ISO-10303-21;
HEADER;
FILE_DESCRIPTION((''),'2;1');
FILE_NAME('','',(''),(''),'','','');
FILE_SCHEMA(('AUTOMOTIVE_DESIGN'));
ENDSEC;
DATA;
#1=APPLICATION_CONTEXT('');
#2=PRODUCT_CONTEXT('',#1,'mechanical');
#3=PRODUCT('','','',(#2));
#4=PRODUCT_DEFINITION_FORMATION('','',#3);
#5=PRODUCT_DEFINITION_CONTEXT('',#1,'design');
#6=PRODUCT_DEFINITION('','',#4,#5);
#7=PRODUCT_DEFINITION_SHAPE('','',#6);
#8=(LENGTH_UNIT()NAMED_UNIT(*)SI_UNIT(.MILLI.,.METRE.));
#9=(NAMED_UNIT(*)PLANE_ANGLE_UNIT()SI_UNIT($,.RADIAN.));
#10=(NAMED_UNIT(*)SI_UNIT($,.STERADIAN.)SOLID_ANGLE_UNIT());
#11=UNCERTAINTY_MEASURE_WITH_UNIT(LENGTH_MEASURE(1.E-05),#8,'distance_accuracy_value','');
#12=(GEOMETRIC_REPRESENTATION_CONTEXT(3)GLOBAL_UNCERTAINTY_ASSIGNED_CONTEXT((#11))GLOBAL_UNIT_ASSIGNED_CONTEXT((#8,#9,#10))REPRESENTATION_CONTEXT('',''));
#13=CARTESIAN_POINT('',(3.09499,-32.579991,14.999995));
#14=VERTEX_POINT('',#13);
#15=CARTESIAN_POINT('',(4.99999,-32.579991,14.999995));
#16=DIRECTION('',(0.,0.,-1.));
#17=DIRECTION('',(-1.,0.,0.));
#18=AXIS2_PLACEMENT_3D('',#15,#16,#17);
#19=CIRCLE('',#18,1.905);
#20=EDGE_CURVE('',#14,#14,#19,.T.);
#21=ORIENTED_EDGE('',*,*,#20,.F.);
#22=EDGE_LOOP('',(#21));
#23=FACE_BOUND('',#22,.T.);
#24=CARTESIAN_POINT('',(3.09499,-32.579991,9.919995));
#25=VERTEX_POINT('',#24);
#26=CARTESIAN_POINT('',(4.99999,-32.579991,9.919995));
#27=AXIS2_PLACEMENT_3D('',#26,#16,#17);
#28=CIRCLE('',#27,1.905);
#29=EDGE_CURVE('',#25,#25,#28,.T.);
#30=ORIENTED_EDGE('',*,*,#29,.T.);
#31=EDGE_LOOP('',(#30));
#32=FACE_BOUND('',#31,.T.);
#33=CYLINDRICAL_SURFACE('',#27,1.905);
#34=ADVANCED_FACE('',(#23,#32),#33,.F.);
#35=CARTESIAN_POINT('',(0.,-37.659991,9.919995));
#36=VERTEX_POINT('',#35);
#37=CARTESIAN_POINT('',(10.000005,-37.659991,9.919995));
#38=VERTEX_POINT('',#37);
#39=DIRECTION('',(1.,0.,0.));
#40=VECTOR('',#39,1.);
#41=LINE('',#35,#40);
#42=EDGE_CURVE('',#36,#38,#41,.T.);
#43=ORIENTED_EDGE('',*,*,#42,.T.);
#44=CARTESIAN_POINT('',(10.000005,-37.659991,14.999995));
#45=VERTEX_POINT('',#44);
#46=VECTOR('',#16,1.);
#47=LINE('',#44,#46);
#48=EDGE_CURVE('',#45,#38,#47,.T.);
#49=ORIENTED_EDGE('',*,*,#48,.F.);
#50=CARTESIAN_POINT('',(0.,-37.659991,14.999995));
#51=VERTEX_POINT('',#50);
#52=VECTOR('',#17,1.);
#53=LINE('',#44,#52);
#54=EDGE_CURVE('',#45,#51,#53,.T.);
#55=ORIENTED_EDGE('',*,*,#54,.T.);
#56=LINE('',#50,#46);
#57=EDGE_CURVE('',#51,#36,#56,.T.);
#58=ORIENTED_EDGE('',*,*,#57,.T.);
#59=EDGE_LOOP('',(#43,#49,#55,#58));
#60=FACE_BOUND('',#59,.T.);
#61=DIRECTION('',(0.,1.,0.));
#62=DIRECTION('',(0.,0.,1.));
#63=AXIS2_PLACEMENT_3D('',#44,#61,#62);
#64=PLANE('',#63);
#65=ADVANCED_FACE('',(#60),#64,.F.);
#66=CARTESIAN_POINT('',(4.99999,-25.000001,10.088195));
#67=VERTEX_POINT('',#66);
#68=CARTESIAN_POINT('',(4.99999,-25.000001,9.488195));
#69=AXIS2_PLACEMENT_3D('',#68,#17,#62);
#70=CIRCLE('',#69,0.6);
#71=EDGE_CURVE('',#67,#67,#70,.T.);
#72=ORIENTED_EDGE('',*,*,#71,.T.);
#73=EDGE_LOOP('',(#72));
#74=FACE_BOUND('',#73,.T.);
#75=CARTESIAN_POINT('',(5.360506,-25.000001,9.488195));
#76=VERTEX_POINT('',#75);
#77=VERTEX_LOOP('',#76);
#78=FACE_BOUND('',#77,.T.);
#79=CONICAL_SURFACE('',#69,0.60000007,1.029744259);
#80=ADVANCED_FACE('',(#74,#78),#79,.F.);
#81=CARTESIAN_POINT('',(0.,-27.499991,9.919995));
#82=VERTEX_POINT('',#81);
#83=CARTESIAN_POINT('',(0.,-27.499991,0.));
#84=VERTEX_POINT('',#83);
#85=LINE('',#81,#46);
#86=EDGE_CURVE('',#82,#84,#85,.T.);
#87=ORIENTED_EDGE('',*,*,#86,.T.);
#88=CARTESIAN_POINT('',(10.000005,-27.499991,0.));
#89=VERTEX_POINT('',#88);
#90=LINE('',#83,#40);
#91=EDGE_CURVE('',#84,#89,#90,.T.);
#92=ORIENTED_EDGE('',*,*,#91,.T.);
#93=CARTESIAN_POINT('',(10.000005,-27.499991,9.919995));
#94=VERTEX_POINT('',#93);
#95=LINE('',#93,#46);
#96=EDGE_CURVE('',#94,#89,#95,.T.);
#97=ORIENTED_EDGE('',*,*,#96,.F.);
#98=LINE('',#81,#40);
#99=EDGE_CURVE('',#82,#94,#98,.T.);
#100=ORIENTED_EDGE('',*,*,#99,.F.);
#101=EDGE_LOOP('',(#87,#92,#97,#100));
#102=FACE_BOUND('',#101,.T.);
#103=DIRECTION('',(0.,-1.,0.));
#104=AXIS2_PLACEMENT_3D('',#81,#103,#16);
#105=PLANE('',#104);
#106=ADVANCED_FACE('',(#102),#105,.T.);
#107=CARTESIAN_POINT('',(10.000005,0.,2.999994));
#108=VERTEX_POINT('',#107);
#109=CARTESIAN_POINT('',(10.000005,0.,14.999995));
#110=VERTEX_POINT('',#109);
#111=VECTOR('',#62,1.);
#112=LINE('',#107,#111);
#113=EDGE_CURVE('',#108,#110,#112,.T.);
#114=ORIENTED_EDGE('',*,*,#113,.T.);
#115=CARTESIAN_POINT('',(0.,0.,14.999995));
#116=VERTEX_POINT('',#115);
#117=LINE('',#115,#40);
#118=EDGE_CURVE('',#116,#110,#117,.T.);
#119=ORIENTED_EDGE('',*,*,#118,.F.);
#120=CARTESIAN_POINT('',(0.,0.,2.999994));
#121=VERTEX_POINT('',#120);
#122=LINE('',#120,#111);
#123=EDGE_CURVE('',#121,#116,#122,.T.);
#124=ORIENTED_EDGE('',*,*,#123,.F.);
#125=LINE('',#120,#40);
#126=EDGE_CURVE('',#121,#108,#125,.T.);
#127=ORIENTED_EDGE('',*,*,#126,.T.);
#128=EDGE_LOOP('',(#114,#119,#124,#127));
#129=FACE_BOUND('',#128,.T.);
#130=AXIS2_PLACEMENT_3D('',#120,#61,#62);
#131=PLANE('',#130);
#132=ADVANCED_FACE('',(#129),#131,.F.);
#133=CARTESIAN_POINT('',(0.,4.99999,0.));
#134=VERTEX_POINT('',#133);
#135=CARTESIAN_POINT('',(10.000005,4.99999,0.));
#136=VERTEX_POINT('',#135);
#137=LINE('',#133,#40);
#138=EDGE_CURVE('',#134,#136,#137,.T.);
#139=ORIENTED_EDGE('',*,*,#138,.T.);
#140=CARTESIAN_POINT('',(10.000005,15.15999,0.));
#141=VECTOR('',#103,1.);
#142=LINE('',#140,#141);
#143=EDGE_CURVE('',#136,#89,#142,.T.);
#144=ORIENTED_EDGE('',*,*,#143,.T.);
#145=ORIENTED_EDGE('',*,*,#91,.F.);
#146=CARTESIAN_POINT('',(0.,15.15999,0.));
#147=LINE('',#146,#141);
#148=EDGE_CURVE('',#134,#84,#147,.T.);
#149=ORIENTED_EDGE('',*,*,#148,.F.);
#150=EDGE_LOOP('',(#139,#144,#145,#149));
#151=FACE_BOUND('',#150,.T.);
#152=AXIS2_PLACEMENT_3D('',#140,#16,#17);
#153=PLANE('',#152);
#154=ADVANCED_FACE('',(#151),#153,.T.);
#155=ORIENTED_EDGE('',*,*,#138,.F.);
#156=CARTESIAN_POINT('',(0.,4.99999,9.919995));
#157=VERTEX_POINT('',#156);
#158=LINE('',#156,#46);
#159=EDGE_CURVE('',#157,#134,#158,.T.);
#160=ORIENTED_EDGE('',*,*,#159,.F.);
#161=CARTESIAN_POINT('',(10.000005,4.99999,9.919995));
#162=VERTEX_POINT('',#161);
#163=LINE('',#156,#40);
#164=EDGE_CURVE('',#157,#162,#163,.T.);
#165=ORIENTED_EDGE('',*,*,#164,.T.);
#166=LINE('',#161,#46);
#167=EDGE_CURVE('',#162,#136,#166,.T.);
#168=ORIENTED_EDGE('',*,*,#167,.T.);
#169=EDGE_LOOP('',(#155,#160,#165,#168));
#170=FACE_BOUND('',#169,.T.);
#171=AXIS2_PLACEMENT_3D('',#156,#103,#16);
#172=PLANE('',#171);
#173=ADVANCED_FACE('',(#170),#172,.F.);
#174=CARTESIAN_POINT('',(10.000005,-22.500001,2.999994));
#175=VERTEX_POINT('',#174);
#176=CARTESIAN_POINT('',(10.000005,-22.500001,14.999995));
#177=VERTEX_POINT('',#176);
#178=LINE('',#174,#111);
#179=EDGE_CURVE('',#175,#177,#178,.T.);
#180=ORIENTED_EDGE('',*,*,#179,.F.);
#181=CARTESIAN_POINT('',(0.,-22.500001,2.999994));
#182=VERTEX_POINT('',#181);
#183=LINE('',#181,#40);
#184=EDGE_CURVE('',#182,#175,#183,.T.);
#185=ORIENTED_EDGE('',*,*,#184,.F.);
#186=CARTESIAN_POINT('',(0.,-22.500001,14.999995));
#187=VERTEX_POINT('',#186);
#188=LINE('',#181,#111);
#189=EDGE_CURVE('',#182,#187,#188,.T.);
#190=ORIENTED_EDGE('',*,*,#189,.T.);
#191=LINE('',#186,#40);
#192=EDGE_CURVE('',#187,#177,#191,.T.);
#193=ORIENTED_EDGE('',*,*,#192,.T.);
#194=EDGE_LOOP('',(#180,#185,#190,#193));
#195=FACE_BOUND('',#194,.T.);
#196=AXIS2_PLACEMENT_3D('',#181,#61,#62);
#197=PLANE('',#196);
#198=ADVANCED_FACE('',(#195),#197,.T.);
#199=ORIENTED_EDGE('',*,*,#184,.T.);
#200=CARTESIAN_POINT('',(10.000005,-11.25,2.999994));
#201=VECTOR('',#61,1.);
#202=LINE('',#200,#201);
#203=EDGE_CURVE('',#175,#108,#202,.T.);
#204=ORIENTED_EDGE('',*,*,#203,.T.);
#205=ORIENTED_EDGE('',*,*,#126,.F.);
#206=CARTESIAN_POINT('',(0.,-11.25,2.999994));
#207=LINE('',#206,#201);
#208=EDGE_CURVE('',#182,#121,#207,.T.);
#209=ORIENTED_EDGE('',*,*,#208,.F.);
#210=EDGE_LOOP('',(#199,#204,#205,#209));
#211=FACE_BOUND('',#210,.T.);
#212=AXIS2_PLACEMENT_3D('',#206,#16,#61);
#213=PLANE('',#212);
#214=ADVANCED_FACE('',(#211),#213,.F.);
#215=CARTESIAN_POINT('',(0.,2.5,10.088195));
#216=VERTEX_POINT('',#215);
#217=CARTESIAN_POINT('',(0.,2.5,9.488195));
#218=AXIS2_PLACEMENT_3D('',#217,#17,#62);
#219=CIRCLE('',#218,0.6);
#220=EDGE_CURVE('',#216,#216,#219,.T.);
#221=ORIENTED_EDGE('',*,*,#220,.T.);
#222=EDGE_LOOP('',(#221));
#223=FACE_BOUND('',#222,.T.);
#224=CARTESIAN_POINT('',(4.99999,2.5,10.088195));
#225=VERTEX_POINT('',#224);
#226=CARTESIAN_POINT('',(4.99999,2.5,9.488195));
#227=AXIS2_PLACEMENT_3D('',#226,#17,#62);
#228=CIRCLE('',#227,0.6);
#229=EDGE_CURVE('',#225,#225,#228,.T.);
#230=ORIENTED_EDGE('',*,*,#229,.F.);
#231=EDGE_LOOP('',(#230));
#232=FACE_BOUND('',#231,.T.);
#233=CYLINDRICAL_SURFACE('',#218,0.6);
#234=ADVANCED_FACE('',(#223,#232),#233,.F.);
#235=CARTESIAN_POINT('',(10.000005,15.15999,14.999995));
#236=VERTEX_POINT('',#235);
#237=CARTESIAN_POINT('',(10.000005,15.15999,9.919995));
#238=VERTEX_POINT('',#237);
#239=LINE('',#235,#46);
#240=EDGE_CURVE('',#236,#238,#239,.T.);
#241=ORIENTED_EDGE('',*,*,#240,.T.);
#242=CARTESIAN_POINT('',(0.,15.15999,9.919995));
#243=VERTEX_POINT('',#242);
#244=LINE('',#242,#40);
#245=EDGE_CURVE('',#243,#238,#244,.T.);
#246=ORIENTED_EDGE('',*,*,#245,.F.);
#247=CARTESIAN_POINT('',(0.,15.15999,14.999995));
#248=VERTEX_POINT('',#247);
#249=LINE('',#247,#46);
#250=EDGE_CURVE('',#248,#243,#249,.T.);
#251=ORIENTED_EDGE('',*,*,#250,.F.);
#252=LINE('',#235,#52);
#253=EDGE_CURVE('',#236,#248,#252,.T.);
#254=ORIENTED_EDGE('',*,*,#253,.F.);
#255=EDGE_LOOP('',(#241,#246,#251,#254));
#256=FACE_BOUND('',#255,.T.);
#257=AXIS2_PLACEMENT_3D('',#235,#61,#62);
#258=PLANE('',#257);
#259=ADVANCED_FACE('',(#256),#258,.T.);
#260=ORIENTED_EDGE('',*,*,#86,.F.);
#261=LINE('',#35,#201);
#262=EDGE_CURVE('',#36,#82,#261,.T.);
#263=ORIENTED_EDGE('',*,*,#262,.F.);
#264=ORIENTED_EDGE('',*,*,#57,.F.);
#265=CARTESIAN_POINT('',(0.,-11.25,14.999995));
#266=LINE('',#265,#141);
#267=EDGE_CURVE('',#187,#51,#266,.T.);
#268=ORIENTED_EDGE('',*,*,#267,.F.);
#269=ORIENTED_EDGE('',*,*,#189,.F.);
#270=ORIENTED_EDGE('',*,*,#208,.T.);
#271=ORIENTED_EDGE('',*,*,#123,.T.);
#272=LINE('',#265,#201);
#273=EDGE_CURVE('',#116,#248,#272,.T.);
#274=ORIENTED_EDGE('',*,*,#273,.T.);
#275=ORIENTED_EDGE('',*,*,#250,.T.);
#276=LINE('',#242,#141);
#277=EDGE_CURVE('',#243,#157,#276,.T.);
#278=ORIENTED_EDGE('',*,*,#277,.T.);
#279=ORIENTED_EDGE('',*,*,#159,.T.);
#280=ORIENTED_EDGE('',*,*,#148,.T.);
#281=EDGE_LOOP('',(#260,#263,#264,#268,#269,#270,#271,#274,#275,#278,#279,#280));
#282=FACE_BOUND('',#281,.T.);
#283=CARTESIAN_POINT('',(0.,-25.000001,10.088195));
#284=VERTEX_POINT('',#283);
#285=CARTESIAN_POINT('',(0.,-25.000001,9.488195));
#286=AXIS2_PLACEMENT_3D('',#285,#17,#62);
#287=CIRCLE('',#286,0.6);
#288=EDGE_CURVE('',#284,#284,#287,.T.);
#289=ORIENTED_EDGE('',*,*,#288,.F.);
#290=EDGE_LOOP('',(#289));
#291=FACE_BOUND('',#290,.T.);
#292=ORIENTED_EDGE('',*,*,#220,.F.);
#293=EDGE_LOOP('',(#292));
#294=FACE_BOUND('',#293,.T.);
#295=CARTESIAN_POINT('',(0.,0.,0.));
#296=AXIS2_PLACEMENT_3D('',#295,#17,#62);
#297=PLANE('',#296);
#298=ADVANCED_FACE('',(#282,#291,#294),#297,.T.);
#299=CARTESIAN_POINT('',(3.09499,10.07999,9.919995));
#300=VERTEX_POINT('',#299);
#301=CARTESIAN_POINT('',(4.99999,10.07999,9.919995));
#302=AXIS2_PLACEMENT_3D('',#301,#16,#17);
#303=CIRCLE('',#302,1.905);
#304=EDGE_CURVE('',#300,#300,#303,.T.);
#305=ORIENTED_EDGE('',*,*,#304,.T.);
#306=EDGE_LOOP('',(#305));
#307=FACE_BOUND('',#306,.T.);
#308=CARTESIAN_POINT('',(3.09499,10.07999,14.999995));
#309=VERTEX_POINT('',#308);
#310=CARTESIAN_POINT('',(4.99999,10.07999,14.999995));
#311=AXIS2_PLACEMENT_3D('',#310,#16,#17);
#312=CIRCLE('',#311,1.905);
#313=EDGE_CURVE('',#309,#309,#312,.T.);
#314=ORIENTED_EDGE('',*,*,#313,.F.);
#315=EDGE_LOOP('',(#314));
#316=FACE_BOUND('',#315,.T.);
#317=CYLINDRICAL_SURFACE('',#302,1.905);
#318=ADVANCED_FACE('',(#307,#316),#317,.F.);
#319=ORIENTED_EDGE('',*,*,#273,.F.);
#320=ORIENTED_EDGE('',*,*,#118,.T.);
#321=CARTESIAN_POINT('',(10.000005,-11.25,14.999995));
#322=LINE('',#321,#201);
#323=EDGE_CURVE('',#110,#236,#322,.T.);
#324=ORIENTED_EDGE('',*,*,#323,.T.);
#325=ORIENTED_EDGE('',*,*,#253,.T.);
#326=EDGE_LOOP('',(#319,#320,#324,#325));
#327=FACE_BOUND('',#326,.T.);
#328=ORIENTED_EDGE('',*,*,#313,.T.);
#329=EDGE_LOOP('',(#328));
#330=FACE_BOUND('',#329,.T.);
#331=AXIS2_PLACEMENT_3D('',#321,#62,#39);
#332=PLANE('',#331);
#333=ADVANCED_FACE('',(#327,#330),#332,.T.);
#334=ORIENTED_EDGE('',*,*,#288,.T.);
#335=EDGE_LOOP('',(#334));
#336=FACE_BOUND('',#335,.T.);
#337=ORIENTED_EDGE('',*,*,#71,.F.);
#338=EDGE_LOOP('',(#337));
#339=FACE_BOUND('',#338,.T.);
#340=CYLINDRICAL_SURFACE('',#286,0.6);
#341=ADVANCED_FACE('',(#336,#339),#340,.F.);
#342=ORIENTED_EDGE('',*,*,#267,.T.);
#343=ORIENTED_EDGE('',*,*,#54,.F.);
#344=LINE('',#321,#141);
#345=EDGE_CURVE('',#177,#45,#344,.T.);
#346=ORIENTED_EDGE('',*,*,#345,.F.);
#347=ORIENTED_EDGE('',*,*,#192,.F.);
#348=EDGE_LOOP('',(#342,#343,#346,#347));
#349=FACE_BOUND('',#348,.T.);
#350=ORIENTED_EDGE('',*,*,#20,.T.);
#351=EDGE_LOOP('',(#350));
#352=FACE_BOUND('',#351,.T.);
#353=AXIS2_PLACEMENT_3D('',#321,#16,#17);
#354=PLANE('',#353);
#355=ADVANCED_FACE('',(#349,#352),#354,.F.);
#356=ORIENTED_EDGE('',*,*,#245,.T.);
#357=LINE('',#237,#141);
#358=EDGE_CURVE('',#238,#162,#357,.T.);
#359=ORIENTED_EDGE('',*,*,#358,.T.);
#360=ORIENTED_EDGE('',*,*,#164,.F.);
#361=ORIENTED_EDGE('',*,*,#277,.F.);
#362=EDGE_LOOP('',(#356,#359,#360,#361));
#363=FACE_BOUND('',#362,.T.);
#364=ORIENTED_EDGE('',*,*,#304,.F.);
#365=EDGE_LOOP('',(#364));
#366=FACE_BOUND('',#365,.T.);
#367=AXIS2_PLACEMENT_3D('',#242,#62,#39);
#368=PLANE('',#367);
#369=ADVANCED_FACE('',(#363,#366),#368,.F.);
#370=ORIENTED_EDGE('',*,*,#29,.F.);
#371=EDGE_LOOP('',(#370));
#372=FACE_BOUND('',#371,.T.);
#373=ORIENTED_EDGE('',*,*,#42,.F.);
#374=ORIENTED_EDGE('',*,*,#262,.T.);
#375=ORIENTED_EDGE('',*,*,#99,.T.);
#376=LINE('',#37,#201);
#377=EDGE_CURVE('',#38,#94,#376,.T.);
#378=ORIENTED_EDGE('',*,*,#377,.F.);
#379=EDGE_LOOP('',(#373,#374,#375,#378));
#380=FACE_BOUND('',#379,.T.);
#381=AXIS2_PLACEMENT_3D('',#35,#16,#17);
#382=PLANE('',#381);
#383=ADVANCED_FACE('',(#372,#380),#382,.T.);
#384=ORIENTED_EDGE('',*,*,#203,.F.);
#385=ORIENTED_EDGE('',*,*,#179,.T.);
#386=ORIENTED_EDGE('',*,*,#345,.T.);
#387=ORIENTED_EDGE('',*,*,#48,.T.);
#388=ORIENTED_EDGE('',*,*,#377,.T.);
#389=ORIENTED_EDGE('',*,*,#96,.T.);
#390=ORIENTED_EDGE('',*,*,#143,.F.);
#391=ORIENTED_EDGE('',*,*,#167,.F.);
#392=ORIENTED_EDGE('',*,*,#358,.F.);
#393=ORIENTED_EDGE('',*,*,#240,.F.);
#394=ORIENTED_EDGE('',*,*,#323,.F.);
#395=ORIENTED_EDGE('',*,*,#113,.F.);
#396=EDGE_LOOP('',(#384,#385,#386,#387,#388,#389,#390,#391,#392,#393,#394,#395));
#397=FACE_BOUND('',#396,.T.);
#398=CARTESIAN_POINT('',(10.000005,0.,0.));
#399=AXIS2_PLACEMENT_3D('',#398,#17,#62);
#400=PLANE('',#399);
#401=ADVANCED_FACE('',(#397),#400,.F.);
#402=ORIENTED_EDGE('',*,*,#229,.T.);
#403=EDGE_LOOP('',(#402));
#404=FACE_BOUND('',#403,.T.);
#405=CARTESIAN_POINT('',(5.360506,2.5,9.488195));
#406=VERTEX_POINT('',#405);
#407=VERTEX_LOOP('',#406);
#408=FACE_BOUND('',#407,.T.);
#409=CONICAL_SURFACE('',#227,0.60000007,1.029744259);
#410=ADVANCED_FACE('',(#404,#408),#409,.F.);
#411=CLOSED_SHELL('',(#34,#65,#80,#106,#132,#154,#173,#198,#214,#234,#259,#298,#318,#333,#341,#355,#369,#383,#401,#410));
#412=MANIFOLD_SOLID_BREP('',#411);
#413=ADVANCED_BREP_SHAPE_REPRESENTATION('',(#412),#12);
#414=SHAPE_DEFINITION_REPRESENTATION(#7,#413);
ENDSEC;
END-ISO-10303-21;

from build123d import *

# Parameters (mm, degrees)
SKETCH1_W                  = 26.40999036
SKETCH1_H                  = 14.9999954
BOSS_EXTRUDE1_DEPTH        = 10.0000054
SKETCH2_W                  = 12.0000014
SKETCH2_H                  = 11.25000036
CUT_EXTRUDE1_DEPTH         = 11.0000054
SKETCH3_W                  = 9.9199954
SKETCH3_H                  = 10.16
CUT_EXTRUDE2_DEPTH         = 11.0000054
M3_5_CLEARANCE_HOLE1_D     = 3.81
M3_5_CLEARANCE_HOLE1_DEPTH = 5.08


with BuildPart() as part:
    # Sketch1 → Boss-Extrude1 (new body)
    with BuildSketch(Plane(origin=(0, 0, 0), x_dir=(0, -1, 0), z_dir=(-1, 0, 0))):
        with Locations((-1.95499482, 7.4999977)):
            Rectangle(SKETCH1_W, SKETCH1_H)
    boss_extrude1 = extrude(amount=-BOSS_EXTRUDE1_DEPTH)

    # Sketch2 → Cut-Extrude1 (cut, through all)
    with BuildSketch(Plane(origin=(10.0000054, 0, 0), x_dir=(0, 0, -1), z_dir=(1, 0, 0))):
        with Locations((-8.9999947, -5.62500018)):
            Rectangle(SKETCH2_W, SKETCH2_H)
    cut_extrude1 = extrude(amount=-CUT_EXTRUDE1_DEPTH, mode=Mode.SUBTRACT)

    # Sketch3 → Cut-Extrude2 (cut, through all)
    with BuildSketch(Plane(origin=(10.0000054, 0, 0), x_dir=(0, 0, -1), z_dir=(1, 0, 0))):
        with Locations((-4.9599977, 10.07999)):
            Rectangle(SKETCH3_W, SKETCH3_H)
    cut_extrude2 = extrude(amount=-CUT_EXTRUDE2_DEPTH, mode=Mode.SUBTRACT)

    # M3.5 Clearance Hole1
    with Locations(Plane(origin=(0, 0, 9.9199954), x_dir=(-1, 0, 0), z_dir=(0, 0, -1))):
        with Locations((-4.99999, 10.07999)):
            m3_5_clearance_hole1 = Hole(M3_5_CLEARANCE_HOLE1_D / 2, depth=M3_5_CLEARANCE_HOLE1_DEPTH)

    # Sketch6 → Ø1.2 (1.2) Diameter Hole1 (revolve, cut)
    with BuildSketch(Plane(origin=(0, 2.50000008, 9.4881954), x_dir=(0, 0, 1), z_dir=(0, 1, 0))):
        Polygon((0, 0), (0, 5.360506413), (0.60000007, 4.99999), (0.60000007, 0), align=None)
    f_1_2_1_2_diameter_hole1 = revolve(axis=Axis((-6.35, 2.50000008, 9.4881954), (1, 0, 0)), mode=Mode.SUBTRACT)

    # Mirror1: Boss-Extrude1, Cut-Extrude1, Cut-Extrude2, M3.5 Clearance Hole1, Ø1.2 (1.2) Diameter Hole1 across plane
    add(boss_extrude1.mirror(Plane(origin=(0, -11.25000036, 0), x_dir=(0, 0, 1), z_dir=(0, -1, 0))))
    add(cut_extrude1.mirror(Plane(origin=(0, -11.25000036, 0), x_dir=(0, 0, 1), z_dir=(0, -1, 0))), mode=Mode.SUBTRACT)
    add(cut_extrude2.mirror(Plane(origin=(0, -11.25000036, 0), x_dir=(0, 0, 1), z_dir=(0, -1, 0))), mode=Mode.SUBTRACT)
    add(m3_5_clearance_hole1.mirror(Plane(origin=(0, -11.25000036, 0), x_dir=(0, 0, 1), z_dir=(0, -1, 0))), mode=Mode.SUBTRACT)
    add(f_1_2_1_2_diameter_hole1.mirror(Plane(origin=(0, -11.25000036, 0), x_dir=(0, 0, 1), z_dir=(0, -1, 0))), mode=Mode.SUBTRACT)


solid = part.part
